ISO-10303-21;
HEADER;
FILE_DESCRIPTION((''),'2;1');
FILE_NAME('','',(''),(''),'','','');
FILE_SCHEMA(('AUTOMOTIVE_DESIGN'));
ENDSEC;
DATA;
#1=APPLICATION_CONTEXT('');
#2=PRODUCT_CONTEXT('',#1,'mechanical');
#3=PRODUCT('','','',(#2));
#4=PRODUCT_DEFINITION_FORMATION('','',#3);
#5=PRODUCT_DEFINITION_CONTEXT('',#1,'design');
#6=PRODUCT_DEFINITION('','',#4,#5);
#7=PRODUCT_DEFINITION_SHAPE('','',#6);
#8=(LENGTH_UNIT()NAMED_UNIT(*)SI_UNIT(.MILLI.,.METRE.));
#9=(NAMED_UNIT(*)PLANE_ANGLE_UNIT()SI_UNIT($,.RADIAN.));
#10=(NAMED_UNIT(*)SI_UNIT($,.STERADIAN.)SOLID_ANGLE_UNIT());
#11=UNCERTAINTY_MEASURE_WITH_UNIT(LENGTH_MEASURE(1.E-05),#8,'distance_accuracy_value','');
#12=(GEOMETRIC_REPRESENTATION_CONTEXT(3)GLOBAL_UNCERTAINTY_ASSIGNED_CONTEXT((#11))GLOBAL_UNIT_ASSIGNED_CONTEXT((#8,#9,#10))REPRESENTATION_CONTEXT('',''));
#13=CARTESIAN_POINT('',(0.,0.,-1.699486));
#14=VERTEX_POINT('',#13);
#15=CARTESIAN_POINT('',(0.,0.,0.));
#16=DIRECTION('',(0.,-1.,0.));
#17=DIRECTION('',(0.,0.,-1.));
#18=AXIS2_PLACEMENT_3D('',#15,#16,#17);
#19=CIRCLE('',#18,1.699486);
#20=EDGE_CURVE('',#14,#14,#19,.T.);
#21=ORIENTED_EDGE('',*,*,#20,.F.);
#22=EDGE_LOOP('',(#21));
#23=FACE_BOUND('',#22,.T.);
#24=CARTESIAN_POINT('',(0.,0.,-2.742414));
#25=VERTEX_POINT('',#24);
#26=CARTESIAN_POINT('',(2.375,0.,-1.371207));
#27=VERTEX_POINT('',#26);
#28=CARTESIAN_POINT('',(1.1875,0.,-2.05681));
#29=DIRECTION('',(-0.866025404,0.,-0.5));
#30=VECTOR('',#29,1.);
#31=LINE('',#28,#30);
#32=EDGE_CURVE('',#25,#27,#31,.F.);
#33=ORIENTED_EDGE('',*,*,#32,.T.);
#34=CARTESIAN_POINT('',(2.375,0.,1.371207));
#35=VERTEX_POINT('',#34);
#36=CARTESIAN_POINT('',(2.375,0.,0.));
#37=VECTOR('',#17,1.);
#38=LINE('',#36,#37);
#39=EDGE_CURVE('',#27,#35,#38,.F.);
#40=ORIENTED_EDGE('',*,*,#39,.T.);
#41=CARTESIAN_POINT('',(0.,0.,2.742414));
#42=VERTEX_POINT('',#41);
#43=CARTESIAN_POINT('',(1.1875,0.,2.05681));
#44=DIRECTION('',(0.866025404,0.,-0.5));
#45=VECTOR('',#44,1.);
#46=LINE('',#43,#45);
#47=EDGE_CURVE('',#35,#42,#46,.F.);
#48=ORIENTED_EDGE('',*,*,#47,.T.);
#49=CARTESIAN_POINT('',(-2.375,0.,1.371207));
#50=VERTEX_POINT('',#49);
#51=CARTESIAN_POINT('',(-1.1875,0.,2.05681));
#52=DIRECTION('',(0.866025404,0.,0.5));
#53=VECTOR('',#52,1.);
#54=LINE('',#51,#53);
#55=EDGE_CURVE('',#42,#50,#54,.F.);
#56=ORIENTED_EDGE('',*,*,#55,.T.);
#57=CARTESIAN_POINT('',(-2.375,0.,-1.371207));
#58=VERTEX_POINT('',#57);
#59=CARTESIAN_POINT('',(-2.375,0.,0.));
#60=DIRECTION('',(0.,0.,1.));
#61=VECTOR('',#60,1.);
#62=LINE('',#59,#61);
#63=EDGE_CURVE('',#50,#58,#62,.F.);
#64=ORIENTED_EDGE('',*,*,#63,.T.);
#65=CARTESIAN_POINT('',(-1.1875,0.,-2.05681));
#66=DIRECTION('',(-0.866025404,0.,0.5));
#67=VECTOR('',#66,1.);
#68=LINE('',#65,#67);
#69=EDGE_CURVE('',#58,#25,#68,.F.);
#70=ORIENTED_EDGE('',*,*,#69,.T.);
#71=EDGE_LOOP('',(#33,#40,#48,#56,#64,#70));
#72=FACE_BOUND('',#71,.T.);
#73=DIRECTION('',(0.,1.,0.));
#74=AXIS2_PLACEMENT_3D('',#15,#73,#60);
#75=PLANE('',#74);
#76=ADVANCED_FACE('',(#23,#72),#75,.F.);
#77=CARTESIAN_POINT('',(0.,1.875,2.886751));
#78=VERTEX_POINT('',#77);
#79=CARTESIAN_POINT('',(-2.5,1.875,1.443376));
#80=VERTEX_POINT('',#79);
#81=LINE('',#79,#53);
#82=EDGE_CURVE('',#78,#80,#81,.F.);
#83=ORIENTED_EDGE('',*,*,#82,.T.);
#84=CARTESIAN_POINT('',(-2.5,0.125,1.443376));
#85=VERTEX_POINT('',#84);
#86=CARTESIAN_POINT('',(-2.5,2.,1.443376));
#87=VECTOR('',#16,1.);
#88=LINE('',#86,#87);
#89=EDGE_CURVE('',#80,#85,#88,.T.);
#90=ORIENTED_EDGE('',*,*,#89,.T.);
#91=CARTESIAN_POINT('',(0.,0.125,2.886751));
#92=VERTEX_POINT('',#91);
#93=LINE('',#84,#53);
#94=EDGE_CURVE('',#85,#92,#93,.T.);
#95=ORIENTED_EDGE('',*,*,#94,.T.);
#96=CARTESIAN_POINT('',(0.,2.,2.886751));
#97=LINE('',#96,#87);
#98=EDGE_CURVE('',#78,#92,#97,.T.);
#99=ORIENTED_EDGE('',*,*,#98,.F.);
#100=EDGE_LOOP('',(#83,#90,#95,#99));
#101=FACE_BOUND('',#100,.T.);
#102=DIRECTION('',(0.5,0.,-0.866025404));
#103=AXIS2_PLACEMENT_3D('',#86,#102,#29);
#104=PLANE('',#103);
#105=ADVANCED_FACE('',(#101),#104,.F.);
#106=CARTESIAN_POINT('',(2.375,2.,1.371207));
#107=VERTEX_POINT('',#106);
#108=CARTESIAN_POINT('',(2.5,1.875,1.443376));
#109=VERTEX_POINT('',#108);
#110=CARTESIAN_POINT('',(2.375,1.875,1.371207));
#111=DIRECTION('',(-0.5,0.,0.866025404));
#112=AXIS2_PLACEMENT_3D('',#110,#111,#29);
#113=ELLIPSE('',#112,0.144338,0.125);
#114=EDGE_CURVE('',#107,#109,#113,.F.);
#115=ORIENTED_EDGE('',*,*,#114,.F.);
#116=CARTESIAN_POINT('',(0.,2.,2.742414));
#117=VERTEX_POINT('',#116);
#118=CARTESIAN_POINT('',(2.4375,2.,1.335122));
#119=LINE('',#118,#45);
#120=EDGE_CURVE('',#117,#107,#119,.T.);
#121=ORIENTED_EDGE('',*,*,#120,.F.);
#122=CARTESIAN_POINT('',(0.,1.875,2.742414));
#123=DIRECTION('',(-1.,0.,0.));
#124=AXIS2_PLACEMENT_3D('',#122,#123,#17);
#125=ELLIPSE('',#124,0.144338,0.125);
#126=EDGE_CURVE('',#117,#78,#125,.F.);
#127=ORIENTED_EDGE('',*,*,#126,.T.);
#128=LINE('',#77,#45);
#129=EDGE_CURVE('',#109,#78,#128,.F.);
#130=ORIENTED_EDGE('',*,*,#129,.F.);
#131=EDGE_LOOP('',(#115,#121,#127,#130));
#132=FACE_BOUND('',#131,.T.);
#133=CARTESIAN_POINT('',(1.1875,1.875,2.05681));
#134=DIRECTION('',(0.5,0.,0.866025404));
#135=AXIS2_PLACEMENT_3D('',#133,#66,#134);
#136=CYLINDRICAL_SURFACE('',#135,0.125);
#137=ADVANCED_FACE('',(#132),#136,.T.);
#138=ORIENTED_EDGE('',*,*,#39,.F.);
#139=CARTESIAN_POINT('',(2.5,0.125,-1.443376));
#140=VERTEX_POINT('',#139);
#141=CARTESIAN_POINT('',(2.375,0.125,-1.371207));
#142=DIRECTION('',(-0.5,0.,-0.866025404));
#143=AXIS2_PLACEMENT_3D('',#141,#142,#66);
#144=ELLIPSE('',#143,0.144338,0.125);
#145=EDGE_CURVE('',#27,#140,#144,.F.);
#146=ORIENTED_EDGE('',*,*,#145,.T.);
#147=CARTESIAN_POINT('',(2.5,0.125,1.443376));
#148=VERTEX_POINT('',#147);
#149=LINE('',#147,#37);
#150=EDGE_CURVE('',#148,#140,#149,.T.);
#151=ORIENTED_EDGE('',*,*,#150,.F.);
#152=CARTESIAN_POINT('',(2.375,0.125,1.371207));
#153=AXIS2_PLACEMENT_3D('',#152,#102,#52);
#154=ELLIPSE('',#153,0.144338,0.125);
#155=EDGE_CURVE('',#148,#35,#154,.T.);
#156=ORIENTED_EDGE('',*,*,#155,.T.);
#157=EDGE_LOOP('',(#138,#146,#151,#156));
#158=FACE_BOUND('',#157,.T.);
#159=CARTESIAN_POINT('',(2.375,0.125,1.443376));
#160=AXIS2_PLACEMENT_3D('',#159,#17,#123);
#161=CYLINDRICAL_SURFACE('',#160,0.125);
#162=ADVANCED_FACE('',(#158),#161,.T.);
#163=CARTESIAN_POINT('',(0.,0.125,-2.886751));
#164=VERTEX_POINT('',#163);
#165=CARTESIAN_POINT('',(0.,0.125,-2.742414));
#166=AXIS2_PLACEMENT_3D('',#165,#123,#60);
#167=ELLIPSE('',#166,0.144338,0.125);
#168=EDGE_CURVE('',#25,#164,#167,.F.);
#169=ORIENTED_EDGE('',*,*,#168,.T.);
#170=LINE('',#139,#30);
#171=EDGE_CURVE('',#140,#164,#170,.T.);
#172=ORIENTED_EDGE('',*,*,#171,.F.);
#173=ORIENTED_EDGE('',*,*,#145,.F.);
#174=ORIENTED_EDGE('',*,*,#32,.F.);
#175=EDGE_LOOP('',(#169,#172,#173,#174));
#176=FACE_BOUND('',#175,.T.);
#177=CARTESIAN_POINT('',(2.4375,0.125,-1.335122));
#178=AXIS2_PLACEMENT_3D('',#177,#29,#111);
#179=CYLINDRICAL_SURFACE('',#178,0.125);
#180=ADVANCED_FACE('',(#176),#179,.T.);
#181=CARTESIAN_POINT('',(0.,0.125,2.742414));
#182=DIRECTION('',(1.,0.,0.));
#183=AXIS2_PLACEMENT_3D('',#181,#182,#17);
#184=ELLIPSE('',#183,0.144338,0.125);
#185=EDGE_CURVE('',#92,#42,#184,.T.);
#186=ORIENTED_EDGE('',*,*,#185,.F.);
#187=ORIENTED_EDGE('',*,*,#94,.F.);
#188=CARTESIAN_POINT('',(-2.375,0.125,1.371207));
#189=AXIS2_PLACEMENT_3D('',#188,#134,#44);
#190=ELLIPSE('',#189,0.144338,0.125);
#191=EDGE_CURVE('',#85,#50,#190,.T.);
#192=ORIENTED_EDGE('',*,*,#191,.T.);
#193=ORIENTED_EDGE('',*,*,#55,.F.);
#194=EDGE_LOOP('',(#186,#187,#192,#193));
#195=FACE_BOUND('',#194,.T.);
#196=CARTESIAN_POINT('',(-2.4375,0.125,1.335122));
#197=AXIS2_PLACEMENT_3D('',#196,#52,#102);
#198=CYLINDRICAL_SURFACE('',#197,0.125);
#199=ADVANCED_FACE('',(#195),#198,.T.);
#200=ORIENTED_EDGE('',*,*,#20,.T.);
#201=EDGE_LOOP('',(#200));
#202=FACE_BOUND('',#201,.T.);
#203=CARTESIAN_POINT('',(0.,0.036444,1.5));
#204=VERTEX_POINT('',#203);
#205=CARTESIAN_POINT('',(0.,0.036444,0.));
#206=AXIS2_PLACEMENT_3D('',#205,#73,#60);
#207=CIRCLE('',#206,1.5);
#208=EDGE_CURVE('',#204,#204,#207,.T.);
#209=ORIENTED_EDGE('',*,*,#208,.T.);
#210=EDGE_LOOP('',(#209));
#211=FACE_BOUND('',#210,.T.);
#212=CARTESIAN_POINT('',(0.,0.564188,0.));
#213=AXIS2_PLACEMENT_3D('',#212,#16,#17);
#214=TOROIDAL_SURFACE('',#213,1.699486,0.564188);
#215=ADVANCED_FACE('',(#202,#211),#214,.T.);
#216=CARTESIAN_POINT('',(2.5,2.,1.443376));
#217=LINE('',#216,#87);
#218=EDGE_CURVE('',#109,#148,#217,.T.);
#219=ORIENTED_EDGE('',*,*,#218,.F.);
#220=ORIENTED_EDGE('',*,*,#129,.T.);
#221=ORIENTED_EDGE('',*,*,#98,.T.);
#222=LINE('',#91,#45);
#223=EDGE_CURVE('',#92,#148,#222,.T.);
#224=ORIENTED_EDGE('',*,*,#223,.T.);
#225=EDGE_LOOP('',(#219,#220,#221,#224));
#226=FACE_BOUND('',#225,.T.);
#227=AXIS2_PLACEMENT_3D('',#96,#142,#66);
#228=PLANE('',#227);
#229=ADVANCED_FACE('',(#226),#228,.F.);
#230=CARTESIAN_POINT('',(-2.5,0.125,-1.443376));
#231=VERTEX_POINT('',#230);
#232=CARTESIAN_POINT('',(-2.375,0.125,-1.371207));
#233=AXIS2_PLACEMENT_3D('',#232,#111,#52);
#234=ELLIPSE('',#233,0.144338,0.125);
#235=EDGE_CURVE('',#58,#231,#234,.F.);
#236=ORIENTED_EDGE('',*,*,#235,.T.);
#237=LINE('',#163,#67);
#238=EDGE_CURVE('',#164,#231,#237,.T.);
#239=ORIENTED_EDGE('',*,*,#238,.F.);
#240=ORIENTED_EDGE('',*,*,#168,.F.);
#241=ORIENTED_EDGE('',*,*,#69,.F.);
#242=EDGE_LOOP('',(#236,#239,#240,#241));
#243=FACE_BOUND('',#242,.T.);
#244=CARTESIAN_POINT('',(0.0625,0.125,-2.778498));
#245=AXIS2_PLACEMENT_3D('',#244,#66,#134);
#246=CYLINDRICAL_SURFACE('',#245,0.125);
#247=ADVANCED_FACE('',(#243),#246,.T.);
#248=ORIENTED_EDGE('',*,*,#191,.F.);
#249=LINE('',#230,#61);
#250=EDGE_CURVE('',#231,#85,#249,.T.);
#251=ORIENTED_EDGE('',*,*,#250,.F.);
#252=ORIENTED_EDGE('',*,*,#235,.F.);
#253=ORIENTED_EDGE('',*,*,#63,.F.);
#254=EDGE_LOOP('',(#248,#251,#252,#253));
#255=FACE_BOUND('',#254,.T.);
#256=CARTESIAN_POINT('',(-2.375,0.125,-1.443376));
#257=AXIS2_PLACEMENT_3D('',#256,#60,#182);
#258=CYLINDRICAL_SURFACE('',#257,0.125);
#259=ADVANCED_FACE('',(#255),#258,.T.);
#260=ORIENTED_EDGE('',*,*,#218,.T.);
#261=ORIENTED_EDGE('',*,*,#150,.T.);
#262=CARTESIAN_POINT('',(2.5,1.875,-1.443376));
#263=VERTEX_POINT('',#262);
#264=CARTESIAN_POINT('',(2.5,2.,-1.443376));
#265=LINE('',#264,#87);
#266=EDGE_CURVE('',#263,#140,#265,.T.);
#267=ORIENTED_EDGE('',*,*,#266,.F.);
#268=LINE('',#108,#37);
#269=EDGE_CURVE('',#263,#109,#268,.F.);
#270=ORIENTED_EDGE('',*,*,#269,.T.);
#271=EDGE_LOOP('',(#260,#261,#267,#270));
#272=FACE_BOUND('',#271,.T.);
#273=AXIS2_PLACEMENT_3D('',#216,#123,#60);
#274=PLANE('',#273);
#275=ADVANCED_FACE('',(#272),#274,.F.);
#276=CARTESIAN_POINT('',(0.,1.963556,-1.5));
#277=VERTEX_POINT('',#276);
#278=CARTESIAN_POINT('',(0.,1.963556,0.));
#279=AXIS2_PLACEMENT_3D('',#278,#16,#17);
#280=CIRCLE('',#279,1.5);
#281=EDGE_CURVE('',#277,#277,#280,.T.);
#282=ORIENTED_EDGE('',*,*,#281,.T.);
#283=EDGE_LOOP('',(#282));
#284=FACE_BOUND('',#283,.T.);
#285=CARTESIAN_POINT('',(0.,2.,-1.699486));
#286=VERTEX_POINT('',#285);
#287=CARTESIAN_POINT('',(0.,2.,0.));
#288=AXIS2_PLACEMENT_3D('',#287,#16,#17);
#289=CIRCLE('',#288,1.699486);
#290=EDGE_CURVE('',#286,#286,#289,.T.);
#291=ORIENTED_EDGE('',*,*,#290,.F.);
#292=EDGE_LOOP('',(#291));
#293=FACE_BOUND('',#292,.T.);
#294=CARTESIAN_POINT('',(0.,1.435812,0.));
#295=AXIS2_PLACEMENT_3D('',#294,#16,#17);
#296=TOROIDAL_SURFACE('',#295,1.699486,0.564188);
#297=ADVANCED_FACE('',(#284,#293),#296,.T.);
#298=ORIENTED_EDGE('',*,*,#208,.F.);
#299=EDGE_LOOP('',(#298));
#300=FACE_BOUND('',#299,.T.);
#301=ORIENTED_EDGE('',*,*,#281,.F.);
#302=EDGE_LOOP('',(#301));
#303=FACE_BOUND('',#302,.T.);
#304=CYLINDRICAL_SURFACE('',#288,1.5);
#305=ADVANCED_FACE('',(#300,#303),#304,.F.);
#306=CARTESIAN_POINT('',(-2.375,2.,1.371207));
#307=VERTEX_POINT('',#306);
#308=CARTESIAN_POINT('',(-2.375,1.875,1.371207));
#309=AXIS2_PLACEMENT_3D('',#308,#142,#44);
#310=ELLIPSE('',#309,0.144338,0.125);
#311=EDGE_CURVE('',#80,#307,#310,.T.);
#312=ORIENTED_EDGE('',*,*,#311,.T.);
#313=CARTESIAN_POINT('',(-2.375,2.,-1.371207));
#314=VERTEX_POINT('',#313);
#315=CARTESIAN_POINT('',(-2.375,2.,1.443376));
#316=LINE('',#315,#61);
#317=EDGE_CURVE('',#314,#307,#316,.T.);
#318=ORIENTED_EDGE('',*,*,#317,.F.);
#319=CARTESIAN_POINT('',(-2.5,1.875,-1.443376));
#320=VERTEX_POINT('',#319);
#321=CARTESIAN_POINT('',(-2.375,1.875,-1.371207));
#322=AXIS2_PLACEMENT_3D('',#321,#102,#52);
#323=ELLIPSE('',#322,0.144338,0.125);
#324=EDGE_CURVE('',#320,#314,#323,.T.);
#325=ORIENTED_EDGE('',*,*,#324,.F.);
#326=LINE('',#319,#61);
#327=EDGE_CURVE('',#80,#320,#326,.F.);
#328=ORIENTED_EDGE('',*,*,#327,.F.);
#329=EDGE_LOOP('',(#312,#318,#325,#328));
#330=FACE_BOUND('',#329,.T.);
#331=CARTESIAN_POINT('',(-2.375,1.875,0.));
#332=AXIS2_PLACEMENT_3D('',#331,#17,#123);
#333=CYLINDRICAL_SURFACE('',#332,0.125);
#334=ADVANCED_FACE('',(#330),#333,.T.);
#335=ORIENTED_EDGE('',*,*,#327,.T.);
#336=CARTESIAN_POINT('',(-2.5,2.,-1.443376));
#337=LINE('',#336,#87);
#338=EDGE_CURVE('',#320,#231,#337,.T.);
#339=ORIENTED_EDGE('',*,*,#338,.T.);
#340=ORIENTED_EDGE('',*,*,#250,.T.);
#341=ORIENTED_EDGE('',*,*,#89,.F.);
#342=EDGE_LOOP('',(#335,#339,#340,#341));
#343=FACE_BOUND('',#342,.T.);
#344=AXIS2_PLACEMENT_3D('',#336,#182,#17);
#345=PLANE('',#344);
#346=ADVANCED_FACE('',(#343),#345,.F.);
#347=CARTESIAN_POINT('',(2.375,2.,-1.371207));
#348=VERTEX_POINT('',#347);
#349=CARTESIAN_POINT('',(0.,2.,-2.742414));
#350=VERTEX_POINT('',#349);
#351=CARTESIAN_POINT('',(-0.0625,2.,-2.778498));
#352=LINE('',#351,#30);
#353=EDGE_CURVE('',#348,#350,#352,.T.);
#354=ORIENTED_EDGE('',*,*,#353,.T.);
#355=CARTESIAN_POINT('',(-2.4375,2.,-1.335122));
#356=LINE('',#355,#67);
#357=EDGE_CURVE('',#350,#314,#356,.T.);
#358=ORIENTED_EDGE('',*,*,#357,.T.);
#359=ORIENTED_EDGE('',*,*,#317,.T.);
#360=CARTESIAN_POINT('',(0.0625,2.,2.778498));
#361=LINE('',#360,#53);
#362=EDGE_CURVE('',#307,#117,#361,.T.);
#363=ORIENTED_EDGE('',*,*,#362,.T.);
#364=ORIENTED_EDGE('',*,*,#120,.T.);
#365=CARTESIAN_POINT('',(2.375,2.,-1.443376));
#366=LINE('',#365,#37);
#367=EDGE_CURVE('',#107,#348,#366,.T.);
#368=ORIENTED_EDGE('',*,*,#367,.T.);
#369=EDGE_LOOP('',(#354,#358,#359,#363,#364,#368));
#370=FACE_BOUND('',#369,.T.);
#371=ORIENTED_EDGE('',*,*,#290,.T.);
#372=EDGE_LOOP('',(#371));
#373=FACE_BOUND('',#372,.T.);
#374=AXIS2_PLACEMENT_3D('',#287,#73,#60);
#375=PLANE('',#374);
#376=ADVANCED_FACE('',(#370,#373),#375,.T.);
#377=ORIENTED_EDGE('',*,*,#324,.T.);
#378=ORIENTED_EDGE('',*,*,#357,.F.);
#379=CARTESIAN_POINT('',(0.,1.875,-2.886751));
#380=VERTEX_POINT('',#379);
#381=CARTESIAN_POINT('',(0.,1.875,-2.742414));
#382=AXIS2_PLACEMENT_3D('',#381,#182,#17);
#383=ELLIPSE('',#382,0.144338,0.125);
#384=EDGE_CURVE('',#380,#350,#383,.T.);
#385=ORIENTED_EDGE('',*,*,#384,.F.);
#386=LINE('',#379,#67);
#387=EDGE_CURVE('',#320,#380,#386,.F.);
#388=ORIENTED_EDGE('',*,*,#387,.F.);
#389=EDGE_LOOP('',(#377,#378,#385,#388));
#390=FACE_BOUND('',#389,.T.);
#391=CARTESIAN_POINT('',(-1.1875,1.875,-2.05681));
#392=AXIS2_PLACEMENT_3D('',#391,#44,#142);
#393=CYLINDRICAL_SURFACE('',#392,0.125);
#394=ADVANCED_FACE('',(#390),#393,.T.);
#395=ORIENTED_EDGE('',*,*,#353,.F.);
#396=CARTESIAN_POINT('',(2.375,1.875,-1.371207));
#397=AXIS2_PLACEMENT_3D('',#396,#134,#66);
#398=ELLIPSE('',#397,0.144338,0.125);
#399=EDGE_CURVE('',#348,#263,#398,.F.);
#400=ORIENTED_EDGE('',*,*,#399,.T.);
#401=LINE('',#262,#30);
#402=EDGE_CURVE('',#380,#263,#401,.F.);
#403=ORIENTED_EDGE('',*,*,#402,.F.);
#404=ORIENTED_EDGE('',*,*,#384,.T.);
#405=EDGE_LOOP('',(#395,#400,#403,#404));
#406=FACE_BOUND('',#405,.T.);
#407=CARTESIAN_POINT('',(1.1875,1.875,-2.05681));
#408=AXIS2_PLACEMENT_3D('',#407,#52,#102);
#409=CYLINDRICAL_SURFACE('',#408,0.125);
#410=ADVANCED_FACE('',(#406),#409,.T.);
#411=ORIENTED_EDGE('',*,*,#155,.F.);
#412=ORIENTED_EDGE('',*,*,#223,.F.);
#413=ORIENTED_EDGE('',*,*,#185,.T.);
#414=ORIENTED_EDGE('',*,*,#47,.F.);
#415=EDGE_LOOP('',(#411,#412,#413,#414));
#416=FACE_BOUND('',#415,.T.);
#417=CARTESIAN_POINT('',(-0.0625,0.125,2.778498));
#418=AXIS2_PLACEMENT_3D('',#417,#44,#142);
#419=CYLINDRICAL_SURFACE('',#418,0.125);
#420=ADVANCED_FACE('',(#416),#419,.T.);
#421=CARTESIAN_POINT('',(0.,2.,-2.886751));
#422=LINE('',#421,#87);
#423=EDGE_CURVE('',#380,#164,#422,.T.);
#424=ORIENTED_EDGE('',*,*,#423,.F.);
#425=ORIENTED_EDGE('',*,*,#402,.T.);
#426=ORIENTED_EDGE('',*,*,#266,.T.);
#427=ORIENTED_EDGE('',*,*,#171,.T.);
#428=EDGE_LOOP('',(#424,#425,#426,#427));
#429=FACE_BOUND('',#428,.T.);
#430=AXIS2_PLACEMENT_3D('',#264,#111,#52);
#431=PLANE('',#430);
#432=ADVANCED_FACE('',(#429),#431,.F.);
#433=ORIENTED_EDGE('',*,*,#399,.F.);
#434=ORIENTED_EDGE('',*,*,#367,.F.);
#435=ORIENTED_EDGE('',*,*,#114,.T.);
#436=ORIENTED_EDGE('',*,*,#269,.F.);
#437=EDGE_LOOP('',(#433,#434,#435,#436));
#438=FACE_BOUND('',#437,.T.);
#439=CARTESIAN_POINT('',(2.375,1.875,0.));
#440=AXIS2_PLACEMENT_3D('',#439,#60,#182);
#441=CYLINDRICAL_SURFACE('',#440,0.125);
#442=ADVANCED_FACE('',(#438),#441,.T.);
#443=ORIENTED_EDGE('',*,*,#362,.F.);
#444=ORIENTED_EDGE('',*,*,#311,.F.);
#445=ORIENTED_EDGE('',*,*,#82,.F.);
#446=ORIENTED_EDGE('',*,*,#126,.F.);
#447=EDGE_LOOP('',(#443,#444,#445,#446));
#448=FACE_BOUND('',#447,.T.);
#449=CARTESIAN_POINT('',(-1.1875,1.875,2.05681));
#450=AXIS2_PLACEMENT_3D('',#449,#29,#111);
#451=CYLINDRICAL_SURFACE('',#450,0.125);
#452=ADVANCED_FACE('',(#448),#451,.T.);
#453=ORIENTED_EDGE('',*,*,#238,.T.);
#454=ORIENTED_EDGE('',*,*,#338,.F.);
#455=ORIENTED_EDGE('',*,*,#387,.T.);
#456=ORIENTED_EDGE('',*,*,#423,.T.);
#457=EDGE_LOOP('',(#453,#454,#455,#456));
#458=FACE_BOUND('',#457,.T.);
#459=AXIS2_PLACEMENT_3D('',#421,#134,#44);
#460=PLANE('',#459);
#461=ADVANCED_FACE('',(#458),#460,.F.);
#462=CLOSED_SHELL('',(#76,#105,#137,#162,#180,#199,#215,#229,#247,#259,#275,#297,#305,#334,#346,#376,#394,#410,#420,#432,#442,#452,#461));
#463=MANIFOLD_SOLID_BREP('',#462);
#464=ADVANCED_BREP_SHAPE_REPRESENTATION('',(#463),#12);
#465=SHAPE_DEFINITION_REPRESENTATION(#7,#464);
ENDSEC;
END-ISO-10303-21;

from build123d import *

# Parameters (mm, degrees)
SKETCH1_R           = 1.5
BOSS_EXTRUDE1_DEPTH = 2
FILLET1_R           = 0.125


with BuildPart() as part:
    # Sketch1 → Boss-Extrude1 (new body)
    with BuildSketch(Plane(origin=(0, 0, 0), x_dir=(1, 0, 0), z_dir=(0, 1, 0))):
        Polygon((0, 2.886751346), (-2.5, 1.443375673), (-2.5, -1.443375673), (0, -2.886751346), (2.5, -1.443375673), (2.5, 1.443375673), align=None)
        Circle(SKETCH1_R, mode=Mode.SUBTRACT)
    extrude(amount=BOSS_EXTRUDE1_DEPTH)

    # Fillet1
    fillet1_edges = [part.edges().sort_by_distance(p)[0] for p in [
        (-2.5, 2, 0),
        (-1.25, 2, 2.165063509),
        (1.25, 2, 2.165063509),
        (2.5, 2, 0),
        (1.25, 2, -2.165063509),
        (2.5, 0, 0),
        (1.25, 0, 2.165063509),
        (-1.25, 0, 2.165063509),
        (-1.25, 2, -2.165063509),
        (-2.5, 0, 0),
        (-1.25, 0, -2.165063509),
        (1.25, 0, -2.165063509),
    ]]
    fillet(fillet1_edges, radius=FILLET1_R)

    # Sketch5 → Cut-Revolve1 (revolve, cut)
    with BuildSketch(Plane(origin=(0, 0, 0), x_dir=(0, 0, -1), z_dir=(1, 0, 0))):
        with BuildLine():
            Line((1.699485543, 2), (1.761177848, 2))
            Line((1.761177848, 2), (1.761177848, 2.100760071))
            Line((1.761177848, 2.100760071), (1.194006659, 2.100760071))
            Line((1.194006659, 2.100760071), (1.194006659, 1.686410093))
            ThreePointArc((1.194006659, 1.686410093), (1.402060119, 1.915234853), (1.699485543, 2))
        make_face()
        with BuildLine():
            Line((1.194006659, -0.100760071), (1.194006659, 0.313589907))
            ThreePointArc((1.194006659, 0.313589907), (1.402060119, 0.084765147), (1.699485543, 0))
            Line((1.699485543, 0), (1.761177848, 0))
            Line((1.761177848, 0), (1.761177848, -0.100760071))
            Line((1.761177848, -0.100760071), (1.194006659, -0.100760071))
        make_face()
    revolve(axis=Axis((0, 0, 0), (0, 1, 0)), mode=Mode.SUBTRACT)


solid = part.part
